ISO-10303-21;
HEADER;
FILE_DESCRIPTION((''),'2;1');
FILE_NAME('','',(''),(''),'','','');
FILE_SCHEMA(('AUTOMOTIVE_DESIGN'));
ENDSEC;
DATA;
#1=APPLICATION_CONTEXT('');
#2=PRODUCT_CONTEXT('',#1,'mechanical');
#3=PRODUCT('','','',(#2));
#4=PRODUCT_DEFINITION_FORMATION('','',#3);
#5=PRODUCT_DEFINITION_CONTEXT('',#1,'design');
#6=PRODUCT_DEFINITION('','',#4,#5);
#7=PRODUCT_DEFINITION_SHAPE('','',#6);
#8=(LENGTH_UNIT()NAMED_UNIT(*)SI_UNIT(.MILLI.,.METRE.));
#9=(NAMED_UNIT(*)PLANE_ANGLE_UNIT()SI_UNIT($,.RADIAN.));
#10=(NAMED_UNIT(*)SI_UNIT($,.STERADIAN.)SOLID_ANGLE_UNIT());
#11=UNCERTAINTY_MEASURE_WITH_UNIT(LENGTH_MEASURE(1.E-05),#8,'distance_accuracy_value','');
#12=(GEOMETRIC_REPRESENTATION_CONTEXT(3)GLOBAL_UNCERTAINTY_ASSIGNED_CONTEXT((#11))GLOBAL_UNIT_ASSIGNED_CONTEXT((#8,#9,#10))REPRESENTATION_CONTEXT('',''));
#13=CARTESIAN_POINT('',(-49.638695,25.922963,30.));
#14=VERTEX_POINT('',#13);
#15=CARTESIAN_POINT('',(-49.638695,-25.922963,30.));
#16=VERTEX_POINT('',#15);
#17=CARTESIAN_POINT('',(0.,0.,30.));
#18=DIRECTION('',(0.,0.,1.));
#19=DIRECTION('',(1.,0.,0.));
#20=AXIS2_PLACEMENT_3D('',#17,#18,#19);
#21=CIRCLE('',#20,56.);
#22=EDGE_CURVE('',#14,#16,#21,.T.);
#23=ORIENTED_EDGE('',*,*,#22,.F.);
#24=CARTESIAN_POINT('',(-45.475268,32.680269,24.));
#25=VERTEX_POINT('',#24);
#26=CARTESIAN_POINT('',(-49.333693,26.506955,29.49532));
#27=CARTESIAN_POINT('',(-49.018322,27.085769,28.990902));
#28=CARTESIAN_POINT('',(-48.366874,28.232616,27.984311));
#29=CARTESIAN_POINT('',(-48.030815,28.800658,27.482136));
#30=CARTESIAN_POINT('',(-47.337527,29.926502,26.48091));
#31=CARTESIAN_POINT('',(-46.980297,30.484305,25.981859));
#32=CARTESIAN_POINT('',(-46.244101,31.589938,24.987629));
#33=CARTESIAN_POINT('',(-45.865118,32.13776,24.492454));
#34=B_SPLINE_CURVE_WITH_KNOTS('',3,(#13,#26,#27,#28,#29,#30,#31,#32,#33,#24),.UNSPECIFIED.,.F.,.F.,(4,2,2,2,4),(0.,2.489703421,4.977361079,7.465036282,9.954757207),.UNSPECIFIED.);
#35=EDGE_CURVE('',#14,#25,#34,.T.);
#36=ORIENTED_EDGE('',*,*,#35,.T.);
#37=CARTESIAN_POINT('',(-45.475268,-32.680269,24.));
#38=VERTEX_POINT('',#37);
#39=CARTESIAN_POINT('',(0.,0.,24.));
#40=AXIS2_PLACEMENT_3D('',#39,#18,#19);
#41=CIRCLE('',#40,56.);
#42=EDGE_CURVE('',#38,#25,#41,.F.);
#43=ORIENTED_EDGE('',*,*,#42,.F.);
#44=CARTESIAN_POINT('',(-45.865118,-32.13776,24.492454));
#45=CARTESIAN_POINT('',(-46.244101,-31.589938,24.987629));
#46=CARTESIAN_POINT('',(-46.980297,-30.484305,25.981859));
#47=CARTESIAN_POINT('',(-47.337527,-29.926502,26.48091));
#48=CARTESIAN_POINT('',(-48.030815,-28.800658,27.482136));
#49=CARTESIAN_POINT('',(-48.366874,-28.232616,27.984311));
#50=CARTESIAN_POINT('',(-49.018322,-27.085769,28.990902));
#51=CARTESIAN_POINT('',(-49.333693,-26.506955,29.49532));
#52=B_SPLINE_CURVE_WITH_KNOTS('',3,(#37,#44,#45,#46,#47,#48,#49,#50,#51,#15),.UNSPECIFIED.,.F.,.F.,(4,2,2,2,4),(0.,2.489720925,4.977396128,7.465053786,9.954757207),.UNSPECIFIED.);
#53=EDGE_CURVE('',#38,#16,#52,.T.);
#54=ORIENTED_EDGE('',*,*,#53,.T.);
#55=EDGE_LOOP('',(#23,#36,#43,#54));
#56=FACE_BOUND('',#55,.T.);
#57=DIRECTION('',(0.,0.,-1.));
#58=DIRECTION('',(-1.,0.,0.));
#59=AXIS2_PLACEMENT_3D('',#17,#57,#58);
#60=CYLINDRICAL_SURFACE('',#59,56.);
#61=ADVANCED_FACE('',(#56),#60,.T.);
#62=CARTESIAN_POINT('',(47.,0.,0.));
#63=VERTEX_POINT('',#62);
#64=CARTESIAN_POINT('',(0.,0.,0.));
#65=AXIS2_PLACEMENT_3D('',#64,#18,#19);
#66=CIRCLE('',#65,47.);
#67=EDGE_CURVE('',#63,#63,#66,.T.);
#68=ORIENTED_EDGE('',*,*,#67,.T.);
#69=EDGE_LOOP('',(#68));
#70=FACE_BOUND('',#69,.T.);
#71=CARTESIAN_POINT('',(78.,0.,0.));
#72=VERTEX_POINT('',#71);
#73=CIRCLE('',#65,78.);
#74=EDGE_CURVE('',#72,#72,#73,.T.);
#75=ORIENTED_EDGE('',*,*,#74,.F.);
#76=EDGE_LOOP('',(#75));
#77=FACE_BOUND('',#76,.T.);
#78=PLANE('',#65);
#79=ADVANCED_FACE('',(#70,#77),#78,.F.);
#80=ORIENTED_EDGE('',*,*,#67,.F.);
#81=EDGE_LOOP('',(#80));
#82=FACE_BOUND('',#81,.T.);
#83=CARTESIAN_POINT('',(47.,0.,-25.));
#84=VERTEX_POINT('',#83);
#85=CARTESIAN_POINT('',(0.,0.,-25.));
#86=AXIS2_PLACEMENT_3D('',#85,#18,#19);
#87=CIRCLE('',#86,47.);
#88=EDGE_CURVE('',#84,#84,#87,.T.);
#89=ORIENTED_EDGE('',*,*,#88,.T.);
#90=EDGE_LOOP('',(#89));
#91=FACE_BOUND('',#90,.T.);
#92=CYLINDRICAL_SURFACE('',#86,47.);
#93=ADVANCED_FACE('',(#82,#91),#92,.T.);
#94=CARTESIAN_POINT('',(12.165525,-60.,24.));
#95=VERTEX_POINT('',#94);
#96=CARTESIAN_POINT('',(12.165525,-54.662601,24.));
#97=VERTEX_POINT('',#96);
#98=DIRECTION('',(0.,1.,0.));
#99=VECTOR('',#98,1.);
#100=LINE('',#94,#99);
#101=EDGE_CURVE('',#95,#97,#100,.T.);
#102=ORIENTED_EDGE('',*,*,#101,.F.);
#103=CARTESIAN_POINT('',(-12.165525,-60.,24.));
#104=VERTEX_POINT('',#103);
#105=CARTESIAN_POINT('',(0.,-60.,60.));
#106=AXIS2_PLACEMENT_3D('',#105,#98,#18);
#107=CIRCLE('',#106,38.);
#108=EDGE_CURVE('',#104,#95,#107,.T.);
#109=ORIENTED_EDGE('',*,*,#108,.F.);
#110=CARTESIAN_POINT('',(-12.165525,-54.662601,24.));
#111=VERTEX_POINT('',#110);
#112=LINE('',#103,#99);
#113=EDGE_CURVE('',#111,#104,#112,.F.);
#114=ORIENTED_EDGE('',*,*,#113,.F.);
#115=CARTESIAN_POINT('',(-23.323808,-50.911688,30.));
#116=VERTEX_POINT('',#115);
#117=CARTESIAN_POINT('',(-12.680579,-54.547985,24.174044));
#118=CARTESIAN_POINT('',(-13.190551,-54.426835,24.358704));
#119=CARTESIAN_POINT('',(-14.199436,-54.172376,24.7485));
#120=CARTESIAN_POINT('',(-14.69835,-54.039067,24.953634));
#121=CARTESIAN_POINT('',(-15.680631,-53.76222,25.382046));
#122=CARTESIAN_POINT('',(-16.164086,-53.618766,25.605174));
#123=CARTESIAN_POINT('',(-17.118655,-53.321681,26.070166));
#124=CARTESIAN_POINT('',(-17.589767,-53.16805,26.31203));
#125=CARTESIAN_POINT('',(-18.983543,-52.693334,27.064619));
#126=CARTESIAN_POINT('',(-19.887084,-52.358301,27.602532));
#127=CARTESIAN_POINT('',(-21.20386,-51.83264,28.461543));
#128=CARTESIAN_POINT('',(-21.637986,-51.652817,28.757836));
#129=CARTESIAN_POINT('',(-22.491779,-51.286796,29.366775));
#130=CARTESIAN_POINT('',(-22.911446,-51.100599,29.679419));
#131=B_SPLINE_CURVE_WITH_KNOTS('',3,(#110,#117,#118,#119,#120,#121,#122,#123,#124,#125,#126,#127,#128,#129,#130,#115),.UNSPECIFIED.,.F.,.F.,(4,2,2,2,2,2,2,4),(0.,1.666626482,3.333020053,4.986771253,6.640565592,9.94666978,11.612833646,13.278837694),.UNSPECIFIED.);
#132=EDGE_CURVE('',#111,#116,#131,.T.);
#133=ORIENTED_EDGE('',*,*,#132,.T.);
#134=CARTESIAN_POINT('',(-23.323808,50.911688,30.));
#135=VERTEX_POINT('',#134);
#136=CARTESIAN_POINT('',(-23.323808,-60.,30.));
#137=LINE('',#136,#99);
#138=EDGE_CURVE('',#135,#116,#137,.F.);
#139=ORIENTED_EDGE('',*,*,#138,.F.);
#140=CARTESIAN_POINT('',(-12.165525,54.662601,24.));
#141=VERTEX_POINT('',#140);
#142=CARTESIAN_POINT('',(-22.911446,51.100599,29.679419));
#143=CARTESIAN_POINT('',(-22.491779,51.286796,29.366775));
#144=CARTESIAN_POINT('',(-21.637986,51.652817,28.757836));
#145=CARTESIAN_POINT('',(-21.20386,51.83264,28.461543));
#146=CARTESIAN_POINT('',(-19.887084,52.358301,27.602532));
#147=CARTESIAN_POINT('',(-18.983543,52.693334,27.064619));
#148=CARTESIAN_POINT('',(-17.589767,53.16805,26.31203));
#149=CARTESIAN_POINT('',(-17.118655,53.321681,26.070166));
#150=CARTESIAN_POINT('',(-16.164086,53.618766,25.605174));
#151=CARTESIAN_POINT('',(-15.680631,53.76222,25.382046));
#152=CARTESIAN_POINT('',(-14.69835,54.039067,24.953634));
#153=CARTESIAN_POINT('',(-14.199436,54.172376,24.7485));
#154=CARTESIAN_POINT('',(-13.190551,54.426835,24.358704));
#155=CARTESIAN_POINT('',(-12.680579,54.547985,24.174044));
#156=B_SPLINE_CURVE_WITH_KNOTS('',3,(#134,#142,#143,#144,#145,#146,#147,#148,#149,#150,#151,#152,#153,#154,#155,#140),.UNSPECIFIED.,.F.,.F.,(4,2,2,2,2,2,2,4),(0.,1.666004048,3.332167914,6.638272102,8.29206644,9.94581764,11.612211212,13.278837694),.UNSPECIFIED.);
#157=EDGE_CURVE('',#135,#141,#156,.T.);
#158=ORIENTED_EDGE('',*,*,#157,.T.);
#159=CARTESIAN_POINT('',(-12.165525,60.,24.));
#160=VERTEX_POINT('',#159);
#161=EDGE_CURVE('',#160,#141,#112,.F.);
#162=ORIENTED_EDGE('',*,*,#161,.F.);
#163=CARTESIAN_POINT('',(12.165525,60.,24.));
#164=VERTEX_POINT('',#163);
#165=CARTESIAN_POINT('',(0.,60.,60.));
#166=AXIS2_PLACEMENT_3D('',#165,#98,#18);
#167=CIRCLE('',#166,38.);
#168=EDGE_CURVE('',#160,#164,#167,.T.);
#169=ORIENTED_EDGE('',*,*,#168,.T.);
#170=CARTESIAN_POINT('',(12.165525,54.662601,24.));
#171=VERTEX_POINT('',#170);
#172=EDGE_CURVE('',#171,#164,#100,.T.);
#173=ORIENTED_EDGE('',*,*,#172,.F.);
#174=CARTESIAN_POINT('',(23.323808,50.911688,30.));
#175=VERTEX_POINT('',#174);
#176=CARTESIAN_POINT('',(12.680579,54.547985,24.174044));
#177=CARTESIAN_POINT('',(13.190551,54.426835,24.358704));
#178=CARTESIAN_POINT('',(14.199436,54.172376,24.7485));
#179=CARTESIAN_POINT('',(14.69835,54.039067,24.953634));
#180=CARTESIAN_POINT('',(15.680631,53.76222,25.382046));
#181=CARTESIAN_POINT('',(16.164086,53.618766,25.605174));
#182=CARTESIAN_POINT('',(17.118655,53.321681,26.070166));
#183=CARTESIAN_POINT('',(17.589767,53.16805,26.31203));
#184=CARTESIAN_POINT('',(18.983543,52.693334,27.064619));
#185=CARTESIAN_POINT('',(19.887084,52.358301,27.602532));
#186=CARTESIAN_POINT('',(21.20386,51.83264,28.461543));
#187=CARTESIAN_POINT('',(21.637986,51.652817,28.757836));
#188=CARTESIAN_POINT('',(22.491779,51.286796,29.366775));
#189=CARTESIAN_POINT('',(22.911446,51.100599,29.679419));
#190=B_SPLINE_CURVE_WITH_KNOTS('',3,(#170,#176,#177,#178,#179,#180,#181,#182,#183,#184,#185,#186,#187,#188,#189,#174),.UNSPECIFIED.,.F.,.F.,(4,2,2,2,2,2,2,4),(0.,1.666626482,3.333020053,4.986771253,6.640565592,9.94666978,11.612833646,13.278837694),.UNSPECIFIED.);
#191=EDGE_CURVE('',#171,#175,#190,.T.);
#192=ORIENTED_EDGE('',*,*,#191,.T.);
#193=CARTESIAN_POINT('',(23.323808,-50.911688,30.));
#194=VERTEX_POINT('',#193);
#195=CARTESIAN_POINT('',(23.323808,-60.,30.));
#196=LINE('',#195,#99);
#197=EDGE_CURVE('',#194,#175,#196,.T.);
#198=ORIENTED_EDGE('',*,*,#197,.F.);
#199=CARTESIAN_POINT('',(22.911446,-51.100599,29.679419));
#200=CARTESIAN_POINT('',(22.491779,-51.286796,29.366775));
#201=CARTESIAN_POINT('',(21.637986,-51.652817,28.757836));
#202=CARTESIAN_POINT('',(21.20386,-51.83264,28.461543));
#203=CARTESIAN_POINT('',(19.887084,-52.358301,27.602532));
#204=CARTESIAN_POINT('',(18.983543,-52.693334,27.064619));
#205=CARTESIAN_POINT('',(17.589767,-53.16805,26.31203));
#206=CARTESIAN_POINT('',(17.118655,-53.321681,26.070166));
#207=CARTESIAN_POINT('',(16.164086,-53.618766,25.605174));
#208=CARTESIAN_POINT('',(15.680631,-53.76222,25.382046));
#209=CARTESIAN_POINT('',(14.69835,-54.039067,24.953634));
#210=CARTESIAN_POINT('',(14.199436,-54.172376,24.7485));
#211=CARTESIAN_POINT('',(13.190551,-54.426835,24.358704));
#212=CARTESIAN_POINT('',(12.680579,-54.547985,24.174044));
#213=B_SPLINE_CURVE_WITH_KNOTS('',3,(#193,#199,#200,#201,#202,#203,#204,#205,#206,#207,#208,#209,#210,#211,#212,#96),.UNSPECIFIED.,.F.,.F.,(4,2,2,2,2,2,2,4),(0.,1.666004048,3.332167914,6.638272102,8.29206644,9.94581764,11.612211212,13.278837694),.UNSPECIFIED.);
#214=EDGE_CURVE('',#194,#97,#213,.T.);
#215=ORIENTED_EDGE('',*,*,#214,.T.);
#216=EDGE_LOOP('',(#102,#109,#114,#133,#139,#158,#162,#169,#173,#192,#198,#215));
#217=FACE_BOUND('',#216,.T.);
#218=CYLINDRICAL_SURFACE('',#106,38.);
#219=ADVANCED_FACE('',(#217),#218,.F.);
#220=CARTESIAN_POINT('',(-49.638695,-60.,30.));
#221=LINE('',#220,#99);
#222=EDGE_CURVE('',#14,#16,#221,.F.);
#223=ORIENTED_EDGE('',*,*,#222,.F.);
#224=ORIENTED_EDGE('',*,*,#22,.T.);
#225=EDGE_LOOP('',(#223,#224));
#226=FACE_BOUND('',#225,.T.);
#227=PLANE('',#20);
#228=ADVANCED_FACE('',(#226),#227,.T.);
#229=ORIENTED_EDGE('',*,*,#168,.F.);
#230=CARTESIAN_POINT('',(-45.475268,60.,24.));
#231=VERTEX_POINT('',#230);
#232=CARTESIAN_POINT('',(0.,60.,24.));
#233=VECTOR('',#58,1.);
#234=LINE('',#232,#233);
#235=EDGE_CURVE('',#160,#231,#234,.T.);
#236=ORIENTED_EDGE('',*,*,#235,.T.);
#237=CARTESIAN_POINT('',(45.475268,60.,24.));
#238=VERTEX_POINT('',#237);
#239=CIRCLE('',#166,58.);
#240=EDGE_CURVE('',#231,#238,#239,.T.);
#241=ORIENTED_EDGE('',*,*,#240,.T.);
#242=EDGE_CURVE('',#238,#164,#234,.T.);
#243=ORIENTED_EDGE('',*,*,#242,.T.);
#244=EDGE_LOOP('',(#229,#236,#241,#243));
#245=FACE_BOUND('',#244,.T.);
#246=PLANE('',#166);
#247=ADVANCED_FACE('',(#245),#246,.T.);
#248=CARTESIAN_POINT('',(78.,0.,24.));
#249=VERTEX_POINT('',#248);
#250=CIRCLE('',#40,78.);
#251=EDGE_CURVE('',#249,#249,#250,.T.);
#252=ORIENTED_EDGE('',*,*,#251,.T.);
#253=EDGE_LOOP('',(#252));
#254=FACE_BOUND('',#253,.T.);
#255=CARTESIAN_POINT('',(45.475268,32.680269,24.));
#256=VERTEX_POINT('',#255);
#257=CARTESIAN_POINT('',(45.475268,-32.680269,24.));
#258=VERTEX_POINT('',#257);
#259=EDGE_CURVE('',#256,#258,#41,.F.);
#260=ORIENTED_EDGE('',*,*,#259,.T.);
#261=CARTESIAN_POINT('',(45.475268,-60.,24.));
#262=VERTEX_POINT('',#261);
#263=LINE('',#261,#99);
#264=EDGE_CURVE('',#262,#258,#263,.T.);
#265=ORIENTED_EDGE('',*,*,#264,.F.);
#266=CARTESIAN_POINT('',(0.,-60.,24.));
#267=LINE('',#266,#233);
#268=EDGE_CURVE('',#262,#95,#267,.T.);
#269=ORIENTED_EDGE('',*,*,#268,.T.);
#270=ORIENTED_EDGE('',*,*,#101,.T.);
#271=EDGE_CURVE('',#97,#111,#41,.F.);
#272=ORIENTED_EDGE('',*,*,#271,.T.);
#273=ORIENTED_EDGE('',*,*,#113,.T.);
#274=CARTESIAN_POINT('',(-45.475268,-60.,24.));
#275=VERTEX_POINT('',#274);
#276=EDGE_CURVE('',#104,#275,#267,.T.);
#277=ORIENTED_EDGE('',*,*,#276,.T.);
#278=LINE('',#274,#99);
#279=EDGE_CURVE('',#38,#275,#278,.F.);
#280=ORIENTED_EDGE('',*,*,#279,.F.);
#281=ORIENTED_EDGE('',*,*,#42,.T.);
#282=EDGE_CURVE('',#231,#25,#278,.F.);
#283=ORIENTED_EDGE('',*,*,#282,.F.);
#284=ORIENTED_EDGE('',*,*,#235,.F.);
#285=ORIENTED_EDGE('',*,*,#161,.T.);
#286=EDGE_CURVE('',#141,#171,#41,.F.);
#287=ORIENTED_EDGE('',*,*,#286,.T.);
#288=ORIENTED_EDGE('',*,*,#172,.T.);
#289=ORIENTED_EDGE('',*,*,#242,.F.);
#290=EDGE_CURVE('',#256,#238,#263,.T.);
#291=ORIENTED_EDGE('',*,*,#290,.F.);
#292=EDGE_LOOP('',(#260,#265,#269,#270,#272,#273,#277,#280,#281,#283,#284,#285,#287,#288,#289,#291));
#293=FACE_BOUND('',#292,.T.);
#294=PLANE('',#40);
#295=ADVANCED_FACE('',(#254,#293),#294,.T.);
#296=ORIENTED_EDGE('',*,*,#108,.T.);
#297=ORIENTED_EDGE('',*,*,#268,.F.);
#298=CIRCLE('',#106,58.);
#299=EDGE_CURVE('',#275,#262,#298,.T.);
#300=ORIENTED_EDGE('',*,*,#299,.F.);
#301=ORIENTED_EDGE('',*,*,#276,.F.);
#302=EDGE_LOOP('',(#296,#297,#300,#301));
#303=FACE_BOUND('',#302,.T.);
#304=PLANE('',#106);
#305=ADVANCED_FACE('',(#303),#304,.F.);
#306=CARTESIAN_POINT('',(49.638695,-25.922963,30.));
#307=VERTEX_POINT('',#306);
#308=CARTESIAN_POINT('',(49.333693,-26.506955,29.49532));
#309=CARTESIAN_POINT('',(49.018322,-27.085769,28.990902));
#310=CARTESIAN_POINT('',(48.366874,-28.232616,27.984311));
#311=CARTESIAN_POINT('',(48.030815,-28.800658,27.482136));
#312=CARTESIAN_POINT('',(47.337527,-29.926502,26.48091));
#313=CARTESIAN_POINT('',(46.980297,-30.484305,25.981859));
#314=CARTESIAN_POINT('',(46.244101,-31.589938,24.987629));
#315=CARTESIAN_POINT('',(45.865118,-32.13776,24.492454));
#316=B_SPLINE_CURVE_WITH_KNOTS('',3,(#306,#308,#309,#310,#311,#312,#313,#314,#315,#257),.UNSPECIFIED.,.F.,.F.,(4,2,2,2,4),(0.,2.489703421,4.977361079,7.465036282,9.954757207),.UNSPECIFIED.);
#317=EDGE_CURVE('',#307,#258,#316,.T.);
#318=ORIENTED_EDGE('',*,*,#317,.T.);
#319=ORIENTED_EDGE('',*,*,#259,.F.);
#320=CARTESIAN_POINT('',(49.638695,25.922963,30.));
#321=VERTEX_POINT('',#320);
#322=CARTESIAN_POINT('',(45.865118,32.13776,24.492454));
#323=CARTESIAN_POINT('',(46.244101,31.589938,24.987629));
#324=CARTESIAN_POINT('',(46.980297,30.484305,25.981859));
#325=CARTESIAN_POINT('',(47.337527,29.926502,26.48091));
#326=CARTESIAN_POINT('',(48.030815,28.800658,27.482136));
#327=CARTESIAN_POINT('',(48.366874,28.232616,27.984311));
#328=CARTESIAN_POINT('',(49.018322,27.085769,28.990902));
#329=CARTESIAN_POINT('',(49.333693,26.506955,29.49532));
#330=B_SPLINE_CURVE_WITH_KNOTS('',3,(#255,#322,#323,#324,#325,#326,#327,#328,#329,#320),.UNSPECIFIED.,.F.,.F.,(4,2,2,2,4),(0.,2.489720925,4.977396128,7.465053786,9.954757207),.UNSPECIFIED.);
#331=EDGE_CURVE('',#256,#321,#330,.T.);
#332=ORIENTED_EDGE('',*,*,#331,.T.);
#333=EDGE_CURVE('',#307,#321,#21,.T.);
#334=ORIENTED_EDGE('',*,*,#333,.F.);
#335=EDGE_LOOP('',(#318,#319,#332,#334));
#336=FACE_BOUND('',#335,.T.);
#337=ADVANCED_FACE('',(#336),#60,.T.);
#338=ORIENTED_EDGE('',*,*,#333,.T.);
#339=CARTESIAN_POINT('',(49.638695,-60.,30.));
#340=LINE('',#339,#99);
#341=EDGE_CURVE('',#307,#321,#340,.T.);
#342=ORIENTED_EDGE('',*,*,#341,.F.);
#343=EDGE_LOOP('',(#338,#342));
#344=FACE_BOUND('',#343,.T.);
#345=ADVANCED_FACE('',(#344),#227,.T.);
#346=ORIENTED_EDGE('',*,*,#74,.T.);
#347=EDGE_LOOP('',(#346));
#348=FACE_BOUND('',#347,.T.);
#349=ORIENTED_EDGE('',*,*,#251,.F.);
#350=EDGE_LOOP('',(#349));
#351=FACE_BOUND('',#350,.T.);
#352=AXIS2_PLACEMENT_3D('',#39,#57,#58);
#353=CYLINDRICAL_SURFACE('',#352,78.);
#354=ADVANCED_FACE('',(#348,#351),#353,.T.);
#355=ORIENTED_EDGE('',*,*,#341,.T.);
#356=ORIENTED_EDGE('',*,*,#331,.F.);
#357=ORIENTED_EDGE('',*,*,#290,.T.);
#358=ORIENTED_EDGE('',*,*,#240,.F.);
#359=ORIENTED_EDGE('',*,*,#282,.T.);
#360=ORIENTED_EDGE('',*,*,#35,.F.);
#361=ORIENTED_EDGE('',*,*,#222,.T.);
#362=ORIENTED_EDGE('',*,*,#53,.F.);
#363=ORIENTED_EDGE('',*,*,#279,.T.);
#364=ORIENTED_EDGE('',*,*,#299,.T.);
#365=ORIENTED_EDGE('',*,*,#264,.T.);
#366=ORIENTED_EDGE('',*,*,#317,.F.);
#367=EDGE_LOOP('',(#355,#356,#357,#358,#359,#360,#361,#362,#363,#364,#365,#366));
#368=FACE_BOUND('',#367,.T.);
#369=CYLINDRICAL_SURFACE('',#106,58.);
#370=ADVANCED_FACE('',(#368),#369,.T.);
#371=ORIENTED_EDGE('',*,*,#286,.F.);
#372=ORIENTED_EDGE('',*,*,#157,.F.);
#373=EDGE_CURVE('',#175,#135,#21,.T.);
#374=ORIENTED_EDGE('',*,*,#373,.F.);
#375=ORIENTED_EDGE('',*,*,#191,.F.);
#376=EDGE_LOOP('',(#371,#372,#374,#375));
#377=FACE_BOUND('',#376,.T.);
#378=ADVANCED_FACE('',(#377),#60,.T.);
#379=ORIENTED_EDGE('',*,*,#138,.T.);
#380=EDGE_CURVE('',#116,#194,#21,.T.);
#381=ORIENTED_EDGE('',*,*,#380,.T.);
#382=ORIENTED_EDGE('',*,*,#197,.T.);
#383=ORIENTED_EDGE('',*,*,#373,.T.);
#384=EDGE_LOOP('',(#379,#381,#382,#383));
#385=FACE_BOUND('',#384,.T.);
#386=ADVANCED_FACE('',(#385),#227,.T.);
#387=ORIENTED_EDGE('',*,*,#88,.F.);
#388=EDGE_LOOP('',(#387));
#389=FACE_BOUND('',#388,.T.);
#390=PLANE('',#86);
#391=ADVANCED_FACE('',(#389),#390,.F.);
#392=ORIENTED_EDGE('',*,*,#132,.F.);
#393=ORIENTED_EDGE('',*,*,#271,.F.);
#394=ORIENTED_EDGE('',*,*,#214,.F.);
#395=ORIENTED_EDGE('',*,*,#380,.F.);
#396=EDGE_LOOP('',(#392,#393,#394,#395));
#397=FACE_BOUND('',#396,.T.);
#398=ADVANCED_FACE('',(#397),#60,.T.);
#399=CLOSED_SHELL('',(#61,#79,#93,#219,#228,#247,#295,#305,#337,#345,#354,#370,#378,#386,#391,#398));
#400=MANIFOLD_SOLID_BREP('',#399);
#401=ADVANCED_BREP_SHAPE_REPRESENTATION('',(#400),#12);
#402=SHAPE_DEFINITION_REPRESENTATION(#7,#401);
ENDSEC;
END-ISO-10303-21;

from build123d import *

# Parameters (mm, degrees)
SKETCH_1_R           = 47
EXTRUDE_1_DEPTH      = 25
SKETCH_2_R           = 78
EXTRUDE_2_DEPTH      = 24
SKETCH_3_R           = 56
EXTRUDE_3_DEPTH      = 30
EXTRUDE_4_DEPTH      = 60
EXTRUDE_4_DEPTH_BACK = 60
SKETCH_4_R           = 58
SKETCH_4_R_2         = 38


with BuildPart() as part:
    # 草图1 → 凸台-拉伸1 (new body)
    with BuildSketch(Plane.XY):
        Circle(SKETCH_1_R)
    extrude(amount=-EXTRUDE_1_DEPTH)

    # 草图2 → 凸台-拉伸2 (add)
    with BuildSketch(Plane.XY):
        Circle(SKETCH_2_R)
    extrude(amount=EXTRUDE_2_DEPTH)

    # 草图3 → 凸台-拉伸3 (add)
    with BuildSketch(Plane.XY):
        Circle(SKETCH_3_R)
    extrude(amount=EXTRUDE_3_DEPTH)

    # 草图4 → 凸台-拉伸4 (add, two sides: drawn at the far end of the back side and taken through both)
    with BuildSketch(Plane(origin=(0, 0, 0), x_dir=(1, 0, 0), z_dir=(0, 1, 0)).offset(-EXTRUDE_4_DEPTH_BACK)):
        with Locations((0, -60)):
            Circle(SKETCH_4_R)
        with Locations((0, -60)):
            Circle(SKETCH_4_R_2, mode=Mode.SUBTRACT)
    extrude(amount=EXTRUDE_4_DEPTH + EXTRUDE_4_DEPTH_BACK)


solid = part.part
